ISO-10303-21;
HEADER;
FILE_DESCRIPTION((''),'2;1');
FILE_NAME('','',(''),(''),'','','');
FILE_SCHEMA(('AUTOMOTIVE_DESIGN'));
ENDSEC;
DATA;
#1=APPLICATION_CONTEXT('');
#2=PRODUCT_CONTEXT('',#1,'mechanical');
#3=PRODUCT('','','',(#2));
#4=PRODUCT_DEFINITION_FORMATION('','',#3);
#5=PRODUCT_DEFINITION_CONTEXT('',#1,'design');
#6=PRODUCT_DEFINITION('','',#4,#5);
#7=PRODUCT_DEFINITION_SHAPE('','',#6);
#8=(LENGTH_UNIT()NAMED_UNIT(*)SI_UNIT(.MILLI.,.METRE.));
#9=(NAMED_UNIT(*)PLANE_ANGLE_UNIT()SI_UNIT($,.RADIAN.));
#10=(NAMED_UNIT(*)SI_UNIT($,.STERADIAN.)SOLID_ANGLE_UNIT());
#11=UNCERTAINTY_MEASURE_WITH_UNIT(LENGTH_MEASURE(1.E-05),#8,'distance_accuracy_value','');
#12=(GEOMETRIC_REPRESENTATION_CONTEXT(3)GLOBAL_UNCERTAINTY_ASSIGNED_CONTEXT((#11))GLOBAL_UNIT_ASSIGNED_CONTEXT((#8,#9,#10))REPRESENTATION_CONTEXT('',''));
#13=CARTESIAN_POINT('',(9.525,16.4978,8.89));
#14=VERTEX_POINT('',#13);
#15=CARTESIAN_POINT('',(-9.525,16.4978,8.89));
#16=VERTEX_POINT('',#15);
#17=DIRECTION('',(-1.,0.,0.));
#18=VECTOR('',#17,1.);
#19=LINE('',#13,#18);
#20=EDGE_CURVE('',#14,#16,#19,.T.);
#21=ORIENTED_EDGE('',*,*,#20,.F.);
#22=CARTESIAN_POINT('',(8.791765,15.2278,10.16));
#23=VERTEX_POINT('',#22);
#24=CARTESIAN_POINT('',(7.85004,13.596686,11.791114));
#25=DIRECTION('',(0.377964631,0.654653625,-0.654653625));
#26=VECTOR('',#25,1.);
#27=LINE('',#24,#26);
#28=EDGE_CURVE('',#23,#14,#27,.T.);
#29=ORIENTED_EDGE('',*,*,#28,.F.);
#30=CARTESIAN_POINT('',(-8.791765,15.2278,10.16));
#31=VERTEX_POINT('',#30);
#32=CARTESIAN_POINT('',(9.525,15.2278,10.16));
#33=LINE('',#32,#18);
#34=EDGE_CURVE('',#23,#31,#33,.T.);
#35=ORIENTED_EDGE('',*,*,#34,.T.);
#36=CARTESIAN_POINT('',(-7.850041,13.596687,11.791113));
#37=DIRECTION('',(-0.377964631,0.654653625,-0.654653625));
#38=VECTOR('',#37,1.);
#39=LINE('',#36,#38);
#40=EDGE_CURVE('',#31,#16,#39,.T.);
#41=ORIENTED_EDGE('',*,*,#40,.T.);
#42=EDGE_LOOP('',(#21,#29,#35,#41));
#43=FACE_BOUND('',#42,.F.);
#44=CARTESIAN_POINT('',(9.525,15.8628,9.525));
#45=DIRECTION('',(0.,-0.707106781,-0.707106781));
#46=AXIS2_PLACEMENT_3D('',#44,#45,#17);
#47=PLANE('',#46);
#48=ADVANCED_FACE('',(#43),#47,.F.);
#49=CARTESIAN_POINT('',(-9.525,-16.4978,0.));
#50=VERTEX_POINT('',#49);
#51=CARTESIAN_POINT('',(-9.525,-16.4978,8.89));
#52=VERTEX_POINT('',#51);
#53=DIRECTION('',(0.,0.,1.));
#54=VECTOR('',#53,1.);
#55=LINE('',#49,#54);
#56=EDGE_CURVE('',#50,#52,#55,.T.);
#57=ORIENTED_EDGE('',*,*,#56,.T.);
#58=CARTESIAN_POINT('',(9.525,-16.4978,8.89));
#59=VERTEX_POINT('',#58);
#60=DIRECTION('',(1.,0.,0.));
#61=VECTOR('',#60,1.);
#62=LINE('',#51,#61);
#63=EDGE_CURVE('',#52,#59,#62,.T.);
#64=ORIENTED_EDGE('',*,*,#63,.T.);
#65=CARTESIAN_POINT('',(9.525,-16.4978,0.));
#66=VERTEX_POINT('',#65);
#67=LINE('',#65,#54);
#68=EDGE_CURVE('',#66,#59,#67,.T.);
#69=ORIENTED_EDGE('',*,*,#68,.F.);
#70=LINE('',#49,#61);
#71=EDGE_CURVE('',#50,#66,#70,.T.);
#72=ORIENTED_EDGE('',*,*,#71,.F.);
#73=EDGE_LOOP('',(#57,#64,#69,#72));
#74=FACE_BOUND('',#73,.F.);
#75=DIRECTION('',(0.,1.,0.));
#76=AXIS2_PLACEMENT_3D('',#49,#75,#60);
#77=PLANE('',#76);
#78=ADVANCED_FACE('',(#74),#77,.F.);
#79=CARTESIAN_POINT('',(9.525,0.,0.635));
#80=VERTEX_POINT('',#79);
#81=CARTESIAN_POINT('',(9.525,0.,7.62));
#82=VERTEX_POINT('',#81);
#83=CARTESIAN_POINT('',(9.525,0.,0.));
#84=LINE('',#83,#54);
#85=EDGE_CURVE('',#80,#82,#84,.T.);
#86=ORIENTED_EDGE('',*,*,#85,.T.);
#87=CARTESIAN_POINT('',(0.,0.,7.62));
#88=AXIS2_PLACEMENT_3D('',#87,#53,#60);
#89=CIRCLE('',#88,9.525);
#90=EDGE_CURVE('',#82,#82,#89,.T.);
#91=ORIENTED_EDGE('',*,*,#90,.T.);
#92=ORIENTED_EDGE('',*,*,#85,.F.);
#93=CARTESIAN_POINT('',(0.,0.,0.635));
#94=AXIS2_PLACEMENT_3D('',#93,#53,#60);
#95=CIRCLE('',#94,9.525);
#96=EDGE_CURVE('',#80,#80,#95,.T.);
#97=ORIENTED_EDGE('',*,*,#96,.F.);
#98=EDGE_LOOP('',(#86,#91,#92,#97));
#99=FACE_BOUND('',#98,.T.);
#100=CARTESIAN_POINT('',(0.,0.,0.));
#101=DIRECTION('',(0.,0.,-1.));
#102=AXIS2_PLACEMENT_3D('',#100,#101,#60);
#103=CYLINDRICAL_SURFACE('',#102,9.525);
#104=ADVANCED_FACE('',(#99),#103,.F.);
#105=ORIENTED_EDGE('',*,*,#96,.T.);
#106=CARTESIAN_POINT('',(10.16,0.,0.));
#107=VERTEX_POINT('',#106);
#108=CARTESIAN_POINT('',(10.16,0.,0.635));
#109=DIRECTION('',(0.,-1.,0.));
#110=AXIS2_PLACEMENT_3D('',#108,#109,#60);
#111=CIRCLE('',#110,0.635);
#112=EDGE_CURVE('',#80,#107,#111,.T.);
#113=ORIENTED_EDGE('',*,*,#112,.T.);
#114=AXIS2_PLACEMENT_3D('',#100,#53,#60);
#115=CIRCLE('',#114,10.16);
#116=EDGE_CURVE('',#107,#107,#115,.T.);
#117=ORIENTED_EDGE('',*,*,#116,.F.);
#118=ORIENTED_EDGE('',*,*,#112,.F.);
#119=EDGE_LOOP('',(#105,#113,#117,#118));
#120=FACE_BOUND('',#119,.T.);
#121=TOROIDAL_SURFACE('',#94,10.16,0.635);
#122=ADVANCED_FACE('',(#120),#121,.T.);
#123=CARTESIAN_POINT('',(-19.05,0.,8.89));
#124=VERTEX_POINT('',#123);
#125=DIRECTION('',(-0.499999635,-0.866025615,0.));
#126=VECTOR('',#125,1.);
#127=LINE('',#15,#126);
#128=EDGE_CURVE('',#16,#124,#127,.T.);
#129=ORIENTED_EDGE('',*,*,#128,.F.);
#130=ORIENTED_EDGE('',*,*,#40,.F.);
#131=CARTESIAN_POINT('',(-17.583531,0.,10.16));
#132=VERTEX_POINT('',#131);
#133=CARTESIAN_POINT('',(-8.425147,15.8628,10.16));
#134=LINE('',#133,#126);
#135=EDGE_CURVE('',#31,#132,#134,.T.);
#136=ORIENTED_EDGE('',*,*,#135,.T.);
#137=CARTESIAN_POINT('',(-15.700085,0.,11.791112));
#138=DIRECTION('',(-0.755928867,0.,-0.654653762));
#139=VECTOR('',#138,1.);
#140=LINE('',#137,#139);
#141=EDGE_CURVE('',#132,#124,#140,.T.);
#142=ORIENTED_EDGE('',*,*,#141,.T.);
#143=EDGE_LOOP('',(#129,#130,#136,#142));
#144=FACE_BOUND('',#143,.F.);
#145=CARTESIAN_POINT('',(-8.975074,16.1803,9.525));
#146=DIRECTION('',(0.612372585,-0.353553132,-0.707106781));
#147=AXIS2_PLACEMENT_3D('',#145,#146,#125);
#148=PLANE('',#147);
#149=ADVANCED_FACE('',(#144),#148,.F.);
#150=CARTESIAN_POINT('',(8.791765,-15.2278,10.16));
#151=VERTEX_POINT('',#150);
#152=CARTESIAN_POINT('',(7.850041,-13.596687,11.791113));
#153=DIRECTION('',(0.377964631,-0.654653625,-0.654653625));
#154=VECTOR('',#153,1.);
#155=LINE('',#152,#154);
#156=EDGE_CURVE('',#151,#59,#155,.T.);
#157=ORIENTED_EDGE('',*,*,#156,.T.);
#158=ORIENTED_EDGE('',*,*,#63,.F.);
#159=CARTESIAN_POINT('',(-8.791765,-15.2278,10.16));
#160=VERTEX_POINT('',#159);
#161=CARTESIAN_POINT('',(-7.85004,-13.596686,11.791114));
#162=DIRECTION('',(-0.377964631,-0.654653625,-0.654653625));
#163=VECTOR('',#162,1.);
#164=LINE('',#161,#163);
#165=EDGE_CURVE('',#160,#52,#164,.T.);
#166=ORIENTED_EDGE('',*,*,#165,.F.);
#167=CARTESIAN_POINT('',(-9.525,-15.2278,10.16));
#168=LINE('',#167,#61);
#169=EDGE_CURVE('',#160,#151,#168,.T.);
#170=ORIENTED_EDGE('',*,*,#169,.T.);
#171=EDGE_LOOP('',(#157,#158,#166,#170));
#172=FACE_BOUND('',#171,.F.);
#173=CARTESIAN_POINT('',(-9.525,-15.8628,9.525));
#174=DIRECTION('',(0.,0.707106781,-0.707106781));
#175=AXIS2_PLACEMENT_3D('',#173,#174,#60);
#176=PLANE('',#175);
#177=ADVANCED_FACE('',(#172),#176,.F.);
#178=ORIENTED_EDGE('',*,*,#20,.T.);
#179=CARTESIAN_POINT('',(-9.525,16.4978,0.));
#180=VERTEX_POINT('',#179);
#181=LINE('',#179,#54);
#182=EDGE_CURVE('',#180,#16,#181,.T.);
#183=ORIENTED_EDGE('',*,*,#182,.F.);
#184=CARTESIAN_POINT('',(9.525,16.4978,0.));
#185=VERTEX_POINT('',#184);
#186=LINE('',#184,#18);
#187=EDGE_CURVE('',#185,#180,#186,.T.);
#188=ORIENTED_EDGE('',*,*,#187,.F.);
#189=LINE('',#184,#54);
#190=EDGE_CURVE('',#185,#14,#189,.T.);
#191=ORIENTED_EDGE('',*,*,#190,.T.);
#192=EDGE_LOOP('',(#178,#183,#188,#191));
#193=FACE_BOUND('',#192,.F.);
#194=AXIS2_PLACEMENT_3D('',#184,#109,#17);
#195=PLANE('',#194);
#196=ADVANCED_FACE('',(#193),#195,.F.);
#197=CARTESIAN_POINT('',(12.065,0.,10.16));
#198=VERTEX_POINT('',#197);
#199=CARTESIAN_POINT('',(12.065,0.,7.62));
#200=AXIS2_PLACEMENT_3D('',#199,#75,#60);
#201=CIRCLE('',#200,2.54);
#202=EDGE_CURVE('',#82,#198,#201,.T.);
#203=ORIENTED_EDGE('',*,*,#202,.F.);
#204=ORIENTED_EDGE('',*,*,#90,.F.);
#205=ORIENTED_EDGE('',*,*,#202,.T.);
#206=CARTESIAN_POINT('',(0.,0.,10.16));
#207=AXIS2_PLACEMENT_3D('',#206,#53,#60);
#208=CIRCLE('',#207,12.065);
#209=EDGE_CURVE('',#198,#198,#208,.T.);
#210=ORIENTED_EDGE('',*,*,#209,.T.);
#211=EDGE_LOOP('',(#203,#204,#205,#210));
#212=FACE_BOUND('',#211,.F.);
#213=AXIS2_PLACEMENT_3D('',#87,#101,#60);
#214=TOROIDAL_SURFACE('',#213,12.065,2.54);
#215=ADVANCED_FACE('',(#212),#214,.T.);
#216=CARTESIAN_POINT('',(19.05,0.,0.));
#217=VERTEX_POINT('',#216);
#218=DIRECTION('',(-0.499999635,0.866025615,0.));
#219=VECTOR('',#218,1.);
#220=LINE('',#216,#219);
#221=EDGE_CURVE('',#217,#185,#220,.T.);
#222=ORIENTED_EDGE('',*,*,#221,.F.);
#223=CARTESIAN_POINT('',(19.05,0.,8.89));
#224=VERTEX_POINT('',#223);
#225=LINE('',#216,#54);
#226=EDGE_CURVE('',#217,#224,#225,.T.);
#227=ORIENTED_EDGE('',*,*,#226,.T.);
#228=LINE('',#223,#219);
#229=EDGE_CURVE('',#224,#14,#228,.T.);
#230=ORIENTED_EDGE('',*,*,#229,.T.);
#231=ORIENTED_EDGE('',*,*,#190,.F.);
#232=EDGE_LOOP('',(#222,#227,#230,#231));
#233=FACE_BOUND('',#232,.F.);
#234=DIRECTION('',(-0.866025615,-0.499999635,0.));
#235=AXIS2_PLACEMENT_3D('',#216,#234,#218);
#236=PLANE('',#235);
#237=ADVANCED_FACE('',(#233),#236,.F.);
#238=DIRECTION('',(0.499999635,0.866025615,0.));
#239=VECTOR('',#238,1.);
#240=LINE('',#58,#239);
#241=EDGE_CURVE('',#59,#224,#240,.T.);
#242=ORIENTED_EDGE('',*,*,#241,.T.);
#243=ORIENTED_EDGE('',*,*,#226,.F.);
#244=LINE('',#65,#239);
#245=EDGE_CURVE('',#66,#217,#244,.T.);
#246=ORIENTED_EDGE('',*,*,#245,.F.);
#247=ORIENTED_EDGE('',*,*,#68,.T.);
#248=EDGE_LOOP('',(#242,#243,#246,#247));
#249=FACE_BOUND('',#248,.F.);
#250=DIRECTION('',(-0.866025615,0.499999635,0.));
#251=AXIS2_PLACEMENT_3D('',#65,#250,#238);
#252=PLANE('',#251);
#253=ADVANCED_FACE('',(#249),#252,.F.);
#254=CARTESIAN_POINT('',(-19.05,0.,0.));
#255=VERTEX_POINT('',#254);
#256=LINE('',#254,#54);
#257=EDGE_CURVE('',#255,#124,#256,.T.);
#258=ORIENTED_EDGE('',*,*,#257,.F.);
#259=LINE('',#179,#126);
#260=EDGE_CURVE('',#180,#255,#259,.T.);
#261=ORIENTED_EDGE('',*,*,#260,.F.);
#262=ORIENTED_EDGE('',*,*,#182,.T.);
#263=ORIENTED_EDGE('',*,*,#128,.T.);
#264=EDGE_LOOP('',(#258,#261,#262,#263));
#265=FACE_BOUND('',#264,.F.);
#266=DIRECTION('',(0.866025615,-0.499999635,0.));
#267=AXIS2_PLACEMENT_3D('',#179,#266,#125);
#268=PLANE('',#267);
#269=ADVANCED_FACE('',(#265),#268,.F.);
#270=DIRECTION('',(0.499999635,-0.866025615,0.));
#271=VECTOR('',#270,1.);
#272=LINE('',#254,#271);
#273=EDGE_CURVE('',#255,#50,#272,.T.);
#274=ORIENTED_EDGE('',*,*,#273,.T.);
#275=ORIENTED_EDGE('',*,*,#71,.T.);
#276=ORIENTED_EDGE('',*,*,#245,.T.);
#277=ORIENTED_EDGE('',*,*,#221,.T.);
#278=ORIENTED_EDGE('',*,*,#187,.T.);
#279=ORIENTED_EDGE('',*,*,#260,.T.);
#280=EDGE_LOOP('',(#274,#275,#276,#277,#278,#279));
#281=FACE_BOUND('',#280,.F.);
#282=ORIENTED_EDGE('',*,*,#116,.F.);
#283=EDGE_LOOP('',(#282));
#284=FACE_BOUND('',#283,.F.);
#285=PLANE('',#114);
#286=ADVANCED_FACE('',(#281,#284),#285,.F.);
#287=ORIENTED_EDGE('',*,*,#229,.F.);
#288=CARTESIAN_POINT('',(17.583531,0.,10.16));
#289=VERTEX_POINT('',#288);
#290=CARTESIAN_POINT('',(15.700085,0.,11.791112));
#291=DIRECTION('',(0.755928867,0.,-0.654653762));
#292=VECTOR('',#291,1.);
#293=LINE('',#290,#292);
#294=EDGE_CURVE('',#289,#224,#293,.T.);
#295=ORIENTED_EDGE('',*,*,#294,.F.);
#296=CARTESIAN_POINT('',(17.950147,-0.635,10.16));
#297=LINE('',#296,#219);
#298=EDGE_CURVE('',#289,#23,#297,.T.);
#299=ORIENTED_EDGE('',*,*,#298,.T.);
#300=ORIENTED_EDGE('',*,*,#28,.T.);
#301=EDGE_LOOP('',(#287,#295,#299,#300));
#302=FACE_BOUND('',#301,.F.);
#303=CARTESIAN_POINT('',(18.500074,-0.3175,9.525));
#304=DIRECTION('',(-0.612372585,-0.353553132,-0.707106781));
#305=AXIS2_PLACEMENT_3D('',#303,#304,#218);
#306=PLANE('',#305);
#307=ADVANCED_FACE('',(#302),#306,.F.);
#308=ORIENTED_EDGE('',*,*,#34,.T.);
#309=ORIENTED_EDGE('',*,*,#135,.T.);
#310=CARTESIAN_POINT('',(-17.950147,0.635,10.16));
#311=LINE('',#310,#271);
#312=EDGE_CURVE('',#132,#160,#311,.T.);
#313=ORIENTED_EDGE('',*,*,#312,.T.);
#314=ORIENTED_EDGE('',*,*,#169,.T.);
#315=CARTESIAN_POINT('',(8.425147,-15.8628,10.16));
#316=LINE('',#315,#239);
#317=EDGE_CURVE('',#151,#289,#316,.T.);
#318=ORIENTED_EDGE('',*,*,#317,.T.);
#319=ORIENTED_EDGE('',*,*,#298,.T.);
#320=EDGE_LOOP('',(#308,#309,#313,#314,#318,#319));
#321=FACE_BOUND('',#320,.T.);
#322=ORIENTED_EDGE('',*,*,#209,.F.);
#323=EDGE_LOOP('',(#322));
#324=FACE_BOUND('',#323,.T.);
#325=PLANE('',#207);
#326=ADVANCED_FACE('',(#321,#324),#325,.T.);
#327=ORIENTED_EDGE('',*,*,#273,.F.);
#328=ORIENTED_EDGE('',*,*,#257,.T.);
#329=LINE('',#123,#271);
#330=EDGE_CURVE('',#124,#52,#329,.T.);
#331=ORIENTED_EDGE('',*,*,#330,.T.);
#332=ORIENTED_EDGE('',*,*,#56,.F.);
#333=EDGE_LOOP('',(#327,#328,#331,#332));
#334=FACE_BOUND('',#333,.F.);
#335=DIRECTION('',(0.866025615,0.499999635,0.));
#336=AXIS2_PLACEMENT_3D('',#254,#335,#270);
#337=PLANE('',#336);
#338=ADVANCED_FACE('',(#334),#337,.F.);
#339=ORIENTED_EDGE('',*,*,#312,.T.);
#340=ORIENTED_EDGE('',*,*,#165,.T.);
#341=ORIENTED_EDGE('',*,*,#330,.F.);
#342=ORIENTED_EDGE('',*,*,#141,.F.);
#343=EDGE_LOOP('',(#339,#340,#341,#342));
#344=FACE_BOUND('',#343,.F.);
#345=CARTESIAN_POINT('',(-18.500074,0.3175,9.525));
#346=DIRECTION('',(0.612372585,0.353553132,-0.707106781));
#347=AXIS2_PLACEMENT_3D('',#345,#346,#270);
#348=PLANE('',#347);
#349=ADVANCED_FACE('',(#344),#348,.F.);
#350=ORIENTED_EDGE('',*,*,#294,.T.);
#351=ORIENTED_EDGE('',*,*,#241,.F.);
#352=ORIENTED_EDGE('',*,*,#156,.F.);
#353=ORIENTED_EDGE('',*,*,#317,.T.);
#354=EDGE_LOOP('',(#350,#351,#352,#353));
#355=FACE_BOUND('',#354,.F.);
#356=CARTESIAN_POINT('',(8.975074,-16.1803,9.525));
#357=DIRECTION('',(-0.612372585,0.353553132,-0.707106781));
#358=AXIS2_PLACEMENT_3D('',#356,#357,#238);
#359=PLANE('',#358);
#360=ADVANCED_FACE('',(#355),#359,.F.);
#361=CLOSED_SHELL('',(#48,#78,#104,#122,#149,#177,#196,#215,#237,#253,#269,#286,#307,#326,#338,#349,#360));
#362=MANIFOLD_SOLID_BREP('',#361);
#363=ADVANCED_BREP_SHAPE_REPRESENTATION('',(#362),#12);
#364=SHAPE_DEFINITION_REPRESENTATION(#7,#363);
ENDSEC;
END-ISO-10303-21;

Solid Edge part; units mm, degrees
sketch "Sketch1" plane through (0, 0, 0) normal (0, 0, 1) x (1, 0, 0)
  line L0 (-19.05, 0) -> (-9.525, -16.4978)
  line L1 (-9.525, -16.4978) -> (9.525, -16.4978)
  line L2 (9.525, -16.4978) -> (19.05, 0)
  line L3 (19.05, 0) -> (9.525, 16.4978)
  line L4 (9.525, 16.4978) -> (-9.525, 16.4978)
  line L5 (-9.525, 16.4978) -> (-19.05, 0)
  circle A0 centre (0, 0) radius 9.525
extrude "Protrusion1" add sketch "Sketch1" along normal blind 10.16
fillet "Round_1" radius 2.54 1 edges at (-9.525, 0, 10.16)
fillet "Round1" radius 0.635 1 edges at (-9.525, 0, 0)
chamfer "Chamfer_3" distance 1.27 angle 45 6 edges at (14.2875, 8.2489, 10.16) (14.2875, -8.2489, 10.16) (0, -16.4978, 10.16) (-14.2875, -8.2489, 10.16) (-14.2875, 8.2489, 10.16) (0, 16.4978, 10.16)
